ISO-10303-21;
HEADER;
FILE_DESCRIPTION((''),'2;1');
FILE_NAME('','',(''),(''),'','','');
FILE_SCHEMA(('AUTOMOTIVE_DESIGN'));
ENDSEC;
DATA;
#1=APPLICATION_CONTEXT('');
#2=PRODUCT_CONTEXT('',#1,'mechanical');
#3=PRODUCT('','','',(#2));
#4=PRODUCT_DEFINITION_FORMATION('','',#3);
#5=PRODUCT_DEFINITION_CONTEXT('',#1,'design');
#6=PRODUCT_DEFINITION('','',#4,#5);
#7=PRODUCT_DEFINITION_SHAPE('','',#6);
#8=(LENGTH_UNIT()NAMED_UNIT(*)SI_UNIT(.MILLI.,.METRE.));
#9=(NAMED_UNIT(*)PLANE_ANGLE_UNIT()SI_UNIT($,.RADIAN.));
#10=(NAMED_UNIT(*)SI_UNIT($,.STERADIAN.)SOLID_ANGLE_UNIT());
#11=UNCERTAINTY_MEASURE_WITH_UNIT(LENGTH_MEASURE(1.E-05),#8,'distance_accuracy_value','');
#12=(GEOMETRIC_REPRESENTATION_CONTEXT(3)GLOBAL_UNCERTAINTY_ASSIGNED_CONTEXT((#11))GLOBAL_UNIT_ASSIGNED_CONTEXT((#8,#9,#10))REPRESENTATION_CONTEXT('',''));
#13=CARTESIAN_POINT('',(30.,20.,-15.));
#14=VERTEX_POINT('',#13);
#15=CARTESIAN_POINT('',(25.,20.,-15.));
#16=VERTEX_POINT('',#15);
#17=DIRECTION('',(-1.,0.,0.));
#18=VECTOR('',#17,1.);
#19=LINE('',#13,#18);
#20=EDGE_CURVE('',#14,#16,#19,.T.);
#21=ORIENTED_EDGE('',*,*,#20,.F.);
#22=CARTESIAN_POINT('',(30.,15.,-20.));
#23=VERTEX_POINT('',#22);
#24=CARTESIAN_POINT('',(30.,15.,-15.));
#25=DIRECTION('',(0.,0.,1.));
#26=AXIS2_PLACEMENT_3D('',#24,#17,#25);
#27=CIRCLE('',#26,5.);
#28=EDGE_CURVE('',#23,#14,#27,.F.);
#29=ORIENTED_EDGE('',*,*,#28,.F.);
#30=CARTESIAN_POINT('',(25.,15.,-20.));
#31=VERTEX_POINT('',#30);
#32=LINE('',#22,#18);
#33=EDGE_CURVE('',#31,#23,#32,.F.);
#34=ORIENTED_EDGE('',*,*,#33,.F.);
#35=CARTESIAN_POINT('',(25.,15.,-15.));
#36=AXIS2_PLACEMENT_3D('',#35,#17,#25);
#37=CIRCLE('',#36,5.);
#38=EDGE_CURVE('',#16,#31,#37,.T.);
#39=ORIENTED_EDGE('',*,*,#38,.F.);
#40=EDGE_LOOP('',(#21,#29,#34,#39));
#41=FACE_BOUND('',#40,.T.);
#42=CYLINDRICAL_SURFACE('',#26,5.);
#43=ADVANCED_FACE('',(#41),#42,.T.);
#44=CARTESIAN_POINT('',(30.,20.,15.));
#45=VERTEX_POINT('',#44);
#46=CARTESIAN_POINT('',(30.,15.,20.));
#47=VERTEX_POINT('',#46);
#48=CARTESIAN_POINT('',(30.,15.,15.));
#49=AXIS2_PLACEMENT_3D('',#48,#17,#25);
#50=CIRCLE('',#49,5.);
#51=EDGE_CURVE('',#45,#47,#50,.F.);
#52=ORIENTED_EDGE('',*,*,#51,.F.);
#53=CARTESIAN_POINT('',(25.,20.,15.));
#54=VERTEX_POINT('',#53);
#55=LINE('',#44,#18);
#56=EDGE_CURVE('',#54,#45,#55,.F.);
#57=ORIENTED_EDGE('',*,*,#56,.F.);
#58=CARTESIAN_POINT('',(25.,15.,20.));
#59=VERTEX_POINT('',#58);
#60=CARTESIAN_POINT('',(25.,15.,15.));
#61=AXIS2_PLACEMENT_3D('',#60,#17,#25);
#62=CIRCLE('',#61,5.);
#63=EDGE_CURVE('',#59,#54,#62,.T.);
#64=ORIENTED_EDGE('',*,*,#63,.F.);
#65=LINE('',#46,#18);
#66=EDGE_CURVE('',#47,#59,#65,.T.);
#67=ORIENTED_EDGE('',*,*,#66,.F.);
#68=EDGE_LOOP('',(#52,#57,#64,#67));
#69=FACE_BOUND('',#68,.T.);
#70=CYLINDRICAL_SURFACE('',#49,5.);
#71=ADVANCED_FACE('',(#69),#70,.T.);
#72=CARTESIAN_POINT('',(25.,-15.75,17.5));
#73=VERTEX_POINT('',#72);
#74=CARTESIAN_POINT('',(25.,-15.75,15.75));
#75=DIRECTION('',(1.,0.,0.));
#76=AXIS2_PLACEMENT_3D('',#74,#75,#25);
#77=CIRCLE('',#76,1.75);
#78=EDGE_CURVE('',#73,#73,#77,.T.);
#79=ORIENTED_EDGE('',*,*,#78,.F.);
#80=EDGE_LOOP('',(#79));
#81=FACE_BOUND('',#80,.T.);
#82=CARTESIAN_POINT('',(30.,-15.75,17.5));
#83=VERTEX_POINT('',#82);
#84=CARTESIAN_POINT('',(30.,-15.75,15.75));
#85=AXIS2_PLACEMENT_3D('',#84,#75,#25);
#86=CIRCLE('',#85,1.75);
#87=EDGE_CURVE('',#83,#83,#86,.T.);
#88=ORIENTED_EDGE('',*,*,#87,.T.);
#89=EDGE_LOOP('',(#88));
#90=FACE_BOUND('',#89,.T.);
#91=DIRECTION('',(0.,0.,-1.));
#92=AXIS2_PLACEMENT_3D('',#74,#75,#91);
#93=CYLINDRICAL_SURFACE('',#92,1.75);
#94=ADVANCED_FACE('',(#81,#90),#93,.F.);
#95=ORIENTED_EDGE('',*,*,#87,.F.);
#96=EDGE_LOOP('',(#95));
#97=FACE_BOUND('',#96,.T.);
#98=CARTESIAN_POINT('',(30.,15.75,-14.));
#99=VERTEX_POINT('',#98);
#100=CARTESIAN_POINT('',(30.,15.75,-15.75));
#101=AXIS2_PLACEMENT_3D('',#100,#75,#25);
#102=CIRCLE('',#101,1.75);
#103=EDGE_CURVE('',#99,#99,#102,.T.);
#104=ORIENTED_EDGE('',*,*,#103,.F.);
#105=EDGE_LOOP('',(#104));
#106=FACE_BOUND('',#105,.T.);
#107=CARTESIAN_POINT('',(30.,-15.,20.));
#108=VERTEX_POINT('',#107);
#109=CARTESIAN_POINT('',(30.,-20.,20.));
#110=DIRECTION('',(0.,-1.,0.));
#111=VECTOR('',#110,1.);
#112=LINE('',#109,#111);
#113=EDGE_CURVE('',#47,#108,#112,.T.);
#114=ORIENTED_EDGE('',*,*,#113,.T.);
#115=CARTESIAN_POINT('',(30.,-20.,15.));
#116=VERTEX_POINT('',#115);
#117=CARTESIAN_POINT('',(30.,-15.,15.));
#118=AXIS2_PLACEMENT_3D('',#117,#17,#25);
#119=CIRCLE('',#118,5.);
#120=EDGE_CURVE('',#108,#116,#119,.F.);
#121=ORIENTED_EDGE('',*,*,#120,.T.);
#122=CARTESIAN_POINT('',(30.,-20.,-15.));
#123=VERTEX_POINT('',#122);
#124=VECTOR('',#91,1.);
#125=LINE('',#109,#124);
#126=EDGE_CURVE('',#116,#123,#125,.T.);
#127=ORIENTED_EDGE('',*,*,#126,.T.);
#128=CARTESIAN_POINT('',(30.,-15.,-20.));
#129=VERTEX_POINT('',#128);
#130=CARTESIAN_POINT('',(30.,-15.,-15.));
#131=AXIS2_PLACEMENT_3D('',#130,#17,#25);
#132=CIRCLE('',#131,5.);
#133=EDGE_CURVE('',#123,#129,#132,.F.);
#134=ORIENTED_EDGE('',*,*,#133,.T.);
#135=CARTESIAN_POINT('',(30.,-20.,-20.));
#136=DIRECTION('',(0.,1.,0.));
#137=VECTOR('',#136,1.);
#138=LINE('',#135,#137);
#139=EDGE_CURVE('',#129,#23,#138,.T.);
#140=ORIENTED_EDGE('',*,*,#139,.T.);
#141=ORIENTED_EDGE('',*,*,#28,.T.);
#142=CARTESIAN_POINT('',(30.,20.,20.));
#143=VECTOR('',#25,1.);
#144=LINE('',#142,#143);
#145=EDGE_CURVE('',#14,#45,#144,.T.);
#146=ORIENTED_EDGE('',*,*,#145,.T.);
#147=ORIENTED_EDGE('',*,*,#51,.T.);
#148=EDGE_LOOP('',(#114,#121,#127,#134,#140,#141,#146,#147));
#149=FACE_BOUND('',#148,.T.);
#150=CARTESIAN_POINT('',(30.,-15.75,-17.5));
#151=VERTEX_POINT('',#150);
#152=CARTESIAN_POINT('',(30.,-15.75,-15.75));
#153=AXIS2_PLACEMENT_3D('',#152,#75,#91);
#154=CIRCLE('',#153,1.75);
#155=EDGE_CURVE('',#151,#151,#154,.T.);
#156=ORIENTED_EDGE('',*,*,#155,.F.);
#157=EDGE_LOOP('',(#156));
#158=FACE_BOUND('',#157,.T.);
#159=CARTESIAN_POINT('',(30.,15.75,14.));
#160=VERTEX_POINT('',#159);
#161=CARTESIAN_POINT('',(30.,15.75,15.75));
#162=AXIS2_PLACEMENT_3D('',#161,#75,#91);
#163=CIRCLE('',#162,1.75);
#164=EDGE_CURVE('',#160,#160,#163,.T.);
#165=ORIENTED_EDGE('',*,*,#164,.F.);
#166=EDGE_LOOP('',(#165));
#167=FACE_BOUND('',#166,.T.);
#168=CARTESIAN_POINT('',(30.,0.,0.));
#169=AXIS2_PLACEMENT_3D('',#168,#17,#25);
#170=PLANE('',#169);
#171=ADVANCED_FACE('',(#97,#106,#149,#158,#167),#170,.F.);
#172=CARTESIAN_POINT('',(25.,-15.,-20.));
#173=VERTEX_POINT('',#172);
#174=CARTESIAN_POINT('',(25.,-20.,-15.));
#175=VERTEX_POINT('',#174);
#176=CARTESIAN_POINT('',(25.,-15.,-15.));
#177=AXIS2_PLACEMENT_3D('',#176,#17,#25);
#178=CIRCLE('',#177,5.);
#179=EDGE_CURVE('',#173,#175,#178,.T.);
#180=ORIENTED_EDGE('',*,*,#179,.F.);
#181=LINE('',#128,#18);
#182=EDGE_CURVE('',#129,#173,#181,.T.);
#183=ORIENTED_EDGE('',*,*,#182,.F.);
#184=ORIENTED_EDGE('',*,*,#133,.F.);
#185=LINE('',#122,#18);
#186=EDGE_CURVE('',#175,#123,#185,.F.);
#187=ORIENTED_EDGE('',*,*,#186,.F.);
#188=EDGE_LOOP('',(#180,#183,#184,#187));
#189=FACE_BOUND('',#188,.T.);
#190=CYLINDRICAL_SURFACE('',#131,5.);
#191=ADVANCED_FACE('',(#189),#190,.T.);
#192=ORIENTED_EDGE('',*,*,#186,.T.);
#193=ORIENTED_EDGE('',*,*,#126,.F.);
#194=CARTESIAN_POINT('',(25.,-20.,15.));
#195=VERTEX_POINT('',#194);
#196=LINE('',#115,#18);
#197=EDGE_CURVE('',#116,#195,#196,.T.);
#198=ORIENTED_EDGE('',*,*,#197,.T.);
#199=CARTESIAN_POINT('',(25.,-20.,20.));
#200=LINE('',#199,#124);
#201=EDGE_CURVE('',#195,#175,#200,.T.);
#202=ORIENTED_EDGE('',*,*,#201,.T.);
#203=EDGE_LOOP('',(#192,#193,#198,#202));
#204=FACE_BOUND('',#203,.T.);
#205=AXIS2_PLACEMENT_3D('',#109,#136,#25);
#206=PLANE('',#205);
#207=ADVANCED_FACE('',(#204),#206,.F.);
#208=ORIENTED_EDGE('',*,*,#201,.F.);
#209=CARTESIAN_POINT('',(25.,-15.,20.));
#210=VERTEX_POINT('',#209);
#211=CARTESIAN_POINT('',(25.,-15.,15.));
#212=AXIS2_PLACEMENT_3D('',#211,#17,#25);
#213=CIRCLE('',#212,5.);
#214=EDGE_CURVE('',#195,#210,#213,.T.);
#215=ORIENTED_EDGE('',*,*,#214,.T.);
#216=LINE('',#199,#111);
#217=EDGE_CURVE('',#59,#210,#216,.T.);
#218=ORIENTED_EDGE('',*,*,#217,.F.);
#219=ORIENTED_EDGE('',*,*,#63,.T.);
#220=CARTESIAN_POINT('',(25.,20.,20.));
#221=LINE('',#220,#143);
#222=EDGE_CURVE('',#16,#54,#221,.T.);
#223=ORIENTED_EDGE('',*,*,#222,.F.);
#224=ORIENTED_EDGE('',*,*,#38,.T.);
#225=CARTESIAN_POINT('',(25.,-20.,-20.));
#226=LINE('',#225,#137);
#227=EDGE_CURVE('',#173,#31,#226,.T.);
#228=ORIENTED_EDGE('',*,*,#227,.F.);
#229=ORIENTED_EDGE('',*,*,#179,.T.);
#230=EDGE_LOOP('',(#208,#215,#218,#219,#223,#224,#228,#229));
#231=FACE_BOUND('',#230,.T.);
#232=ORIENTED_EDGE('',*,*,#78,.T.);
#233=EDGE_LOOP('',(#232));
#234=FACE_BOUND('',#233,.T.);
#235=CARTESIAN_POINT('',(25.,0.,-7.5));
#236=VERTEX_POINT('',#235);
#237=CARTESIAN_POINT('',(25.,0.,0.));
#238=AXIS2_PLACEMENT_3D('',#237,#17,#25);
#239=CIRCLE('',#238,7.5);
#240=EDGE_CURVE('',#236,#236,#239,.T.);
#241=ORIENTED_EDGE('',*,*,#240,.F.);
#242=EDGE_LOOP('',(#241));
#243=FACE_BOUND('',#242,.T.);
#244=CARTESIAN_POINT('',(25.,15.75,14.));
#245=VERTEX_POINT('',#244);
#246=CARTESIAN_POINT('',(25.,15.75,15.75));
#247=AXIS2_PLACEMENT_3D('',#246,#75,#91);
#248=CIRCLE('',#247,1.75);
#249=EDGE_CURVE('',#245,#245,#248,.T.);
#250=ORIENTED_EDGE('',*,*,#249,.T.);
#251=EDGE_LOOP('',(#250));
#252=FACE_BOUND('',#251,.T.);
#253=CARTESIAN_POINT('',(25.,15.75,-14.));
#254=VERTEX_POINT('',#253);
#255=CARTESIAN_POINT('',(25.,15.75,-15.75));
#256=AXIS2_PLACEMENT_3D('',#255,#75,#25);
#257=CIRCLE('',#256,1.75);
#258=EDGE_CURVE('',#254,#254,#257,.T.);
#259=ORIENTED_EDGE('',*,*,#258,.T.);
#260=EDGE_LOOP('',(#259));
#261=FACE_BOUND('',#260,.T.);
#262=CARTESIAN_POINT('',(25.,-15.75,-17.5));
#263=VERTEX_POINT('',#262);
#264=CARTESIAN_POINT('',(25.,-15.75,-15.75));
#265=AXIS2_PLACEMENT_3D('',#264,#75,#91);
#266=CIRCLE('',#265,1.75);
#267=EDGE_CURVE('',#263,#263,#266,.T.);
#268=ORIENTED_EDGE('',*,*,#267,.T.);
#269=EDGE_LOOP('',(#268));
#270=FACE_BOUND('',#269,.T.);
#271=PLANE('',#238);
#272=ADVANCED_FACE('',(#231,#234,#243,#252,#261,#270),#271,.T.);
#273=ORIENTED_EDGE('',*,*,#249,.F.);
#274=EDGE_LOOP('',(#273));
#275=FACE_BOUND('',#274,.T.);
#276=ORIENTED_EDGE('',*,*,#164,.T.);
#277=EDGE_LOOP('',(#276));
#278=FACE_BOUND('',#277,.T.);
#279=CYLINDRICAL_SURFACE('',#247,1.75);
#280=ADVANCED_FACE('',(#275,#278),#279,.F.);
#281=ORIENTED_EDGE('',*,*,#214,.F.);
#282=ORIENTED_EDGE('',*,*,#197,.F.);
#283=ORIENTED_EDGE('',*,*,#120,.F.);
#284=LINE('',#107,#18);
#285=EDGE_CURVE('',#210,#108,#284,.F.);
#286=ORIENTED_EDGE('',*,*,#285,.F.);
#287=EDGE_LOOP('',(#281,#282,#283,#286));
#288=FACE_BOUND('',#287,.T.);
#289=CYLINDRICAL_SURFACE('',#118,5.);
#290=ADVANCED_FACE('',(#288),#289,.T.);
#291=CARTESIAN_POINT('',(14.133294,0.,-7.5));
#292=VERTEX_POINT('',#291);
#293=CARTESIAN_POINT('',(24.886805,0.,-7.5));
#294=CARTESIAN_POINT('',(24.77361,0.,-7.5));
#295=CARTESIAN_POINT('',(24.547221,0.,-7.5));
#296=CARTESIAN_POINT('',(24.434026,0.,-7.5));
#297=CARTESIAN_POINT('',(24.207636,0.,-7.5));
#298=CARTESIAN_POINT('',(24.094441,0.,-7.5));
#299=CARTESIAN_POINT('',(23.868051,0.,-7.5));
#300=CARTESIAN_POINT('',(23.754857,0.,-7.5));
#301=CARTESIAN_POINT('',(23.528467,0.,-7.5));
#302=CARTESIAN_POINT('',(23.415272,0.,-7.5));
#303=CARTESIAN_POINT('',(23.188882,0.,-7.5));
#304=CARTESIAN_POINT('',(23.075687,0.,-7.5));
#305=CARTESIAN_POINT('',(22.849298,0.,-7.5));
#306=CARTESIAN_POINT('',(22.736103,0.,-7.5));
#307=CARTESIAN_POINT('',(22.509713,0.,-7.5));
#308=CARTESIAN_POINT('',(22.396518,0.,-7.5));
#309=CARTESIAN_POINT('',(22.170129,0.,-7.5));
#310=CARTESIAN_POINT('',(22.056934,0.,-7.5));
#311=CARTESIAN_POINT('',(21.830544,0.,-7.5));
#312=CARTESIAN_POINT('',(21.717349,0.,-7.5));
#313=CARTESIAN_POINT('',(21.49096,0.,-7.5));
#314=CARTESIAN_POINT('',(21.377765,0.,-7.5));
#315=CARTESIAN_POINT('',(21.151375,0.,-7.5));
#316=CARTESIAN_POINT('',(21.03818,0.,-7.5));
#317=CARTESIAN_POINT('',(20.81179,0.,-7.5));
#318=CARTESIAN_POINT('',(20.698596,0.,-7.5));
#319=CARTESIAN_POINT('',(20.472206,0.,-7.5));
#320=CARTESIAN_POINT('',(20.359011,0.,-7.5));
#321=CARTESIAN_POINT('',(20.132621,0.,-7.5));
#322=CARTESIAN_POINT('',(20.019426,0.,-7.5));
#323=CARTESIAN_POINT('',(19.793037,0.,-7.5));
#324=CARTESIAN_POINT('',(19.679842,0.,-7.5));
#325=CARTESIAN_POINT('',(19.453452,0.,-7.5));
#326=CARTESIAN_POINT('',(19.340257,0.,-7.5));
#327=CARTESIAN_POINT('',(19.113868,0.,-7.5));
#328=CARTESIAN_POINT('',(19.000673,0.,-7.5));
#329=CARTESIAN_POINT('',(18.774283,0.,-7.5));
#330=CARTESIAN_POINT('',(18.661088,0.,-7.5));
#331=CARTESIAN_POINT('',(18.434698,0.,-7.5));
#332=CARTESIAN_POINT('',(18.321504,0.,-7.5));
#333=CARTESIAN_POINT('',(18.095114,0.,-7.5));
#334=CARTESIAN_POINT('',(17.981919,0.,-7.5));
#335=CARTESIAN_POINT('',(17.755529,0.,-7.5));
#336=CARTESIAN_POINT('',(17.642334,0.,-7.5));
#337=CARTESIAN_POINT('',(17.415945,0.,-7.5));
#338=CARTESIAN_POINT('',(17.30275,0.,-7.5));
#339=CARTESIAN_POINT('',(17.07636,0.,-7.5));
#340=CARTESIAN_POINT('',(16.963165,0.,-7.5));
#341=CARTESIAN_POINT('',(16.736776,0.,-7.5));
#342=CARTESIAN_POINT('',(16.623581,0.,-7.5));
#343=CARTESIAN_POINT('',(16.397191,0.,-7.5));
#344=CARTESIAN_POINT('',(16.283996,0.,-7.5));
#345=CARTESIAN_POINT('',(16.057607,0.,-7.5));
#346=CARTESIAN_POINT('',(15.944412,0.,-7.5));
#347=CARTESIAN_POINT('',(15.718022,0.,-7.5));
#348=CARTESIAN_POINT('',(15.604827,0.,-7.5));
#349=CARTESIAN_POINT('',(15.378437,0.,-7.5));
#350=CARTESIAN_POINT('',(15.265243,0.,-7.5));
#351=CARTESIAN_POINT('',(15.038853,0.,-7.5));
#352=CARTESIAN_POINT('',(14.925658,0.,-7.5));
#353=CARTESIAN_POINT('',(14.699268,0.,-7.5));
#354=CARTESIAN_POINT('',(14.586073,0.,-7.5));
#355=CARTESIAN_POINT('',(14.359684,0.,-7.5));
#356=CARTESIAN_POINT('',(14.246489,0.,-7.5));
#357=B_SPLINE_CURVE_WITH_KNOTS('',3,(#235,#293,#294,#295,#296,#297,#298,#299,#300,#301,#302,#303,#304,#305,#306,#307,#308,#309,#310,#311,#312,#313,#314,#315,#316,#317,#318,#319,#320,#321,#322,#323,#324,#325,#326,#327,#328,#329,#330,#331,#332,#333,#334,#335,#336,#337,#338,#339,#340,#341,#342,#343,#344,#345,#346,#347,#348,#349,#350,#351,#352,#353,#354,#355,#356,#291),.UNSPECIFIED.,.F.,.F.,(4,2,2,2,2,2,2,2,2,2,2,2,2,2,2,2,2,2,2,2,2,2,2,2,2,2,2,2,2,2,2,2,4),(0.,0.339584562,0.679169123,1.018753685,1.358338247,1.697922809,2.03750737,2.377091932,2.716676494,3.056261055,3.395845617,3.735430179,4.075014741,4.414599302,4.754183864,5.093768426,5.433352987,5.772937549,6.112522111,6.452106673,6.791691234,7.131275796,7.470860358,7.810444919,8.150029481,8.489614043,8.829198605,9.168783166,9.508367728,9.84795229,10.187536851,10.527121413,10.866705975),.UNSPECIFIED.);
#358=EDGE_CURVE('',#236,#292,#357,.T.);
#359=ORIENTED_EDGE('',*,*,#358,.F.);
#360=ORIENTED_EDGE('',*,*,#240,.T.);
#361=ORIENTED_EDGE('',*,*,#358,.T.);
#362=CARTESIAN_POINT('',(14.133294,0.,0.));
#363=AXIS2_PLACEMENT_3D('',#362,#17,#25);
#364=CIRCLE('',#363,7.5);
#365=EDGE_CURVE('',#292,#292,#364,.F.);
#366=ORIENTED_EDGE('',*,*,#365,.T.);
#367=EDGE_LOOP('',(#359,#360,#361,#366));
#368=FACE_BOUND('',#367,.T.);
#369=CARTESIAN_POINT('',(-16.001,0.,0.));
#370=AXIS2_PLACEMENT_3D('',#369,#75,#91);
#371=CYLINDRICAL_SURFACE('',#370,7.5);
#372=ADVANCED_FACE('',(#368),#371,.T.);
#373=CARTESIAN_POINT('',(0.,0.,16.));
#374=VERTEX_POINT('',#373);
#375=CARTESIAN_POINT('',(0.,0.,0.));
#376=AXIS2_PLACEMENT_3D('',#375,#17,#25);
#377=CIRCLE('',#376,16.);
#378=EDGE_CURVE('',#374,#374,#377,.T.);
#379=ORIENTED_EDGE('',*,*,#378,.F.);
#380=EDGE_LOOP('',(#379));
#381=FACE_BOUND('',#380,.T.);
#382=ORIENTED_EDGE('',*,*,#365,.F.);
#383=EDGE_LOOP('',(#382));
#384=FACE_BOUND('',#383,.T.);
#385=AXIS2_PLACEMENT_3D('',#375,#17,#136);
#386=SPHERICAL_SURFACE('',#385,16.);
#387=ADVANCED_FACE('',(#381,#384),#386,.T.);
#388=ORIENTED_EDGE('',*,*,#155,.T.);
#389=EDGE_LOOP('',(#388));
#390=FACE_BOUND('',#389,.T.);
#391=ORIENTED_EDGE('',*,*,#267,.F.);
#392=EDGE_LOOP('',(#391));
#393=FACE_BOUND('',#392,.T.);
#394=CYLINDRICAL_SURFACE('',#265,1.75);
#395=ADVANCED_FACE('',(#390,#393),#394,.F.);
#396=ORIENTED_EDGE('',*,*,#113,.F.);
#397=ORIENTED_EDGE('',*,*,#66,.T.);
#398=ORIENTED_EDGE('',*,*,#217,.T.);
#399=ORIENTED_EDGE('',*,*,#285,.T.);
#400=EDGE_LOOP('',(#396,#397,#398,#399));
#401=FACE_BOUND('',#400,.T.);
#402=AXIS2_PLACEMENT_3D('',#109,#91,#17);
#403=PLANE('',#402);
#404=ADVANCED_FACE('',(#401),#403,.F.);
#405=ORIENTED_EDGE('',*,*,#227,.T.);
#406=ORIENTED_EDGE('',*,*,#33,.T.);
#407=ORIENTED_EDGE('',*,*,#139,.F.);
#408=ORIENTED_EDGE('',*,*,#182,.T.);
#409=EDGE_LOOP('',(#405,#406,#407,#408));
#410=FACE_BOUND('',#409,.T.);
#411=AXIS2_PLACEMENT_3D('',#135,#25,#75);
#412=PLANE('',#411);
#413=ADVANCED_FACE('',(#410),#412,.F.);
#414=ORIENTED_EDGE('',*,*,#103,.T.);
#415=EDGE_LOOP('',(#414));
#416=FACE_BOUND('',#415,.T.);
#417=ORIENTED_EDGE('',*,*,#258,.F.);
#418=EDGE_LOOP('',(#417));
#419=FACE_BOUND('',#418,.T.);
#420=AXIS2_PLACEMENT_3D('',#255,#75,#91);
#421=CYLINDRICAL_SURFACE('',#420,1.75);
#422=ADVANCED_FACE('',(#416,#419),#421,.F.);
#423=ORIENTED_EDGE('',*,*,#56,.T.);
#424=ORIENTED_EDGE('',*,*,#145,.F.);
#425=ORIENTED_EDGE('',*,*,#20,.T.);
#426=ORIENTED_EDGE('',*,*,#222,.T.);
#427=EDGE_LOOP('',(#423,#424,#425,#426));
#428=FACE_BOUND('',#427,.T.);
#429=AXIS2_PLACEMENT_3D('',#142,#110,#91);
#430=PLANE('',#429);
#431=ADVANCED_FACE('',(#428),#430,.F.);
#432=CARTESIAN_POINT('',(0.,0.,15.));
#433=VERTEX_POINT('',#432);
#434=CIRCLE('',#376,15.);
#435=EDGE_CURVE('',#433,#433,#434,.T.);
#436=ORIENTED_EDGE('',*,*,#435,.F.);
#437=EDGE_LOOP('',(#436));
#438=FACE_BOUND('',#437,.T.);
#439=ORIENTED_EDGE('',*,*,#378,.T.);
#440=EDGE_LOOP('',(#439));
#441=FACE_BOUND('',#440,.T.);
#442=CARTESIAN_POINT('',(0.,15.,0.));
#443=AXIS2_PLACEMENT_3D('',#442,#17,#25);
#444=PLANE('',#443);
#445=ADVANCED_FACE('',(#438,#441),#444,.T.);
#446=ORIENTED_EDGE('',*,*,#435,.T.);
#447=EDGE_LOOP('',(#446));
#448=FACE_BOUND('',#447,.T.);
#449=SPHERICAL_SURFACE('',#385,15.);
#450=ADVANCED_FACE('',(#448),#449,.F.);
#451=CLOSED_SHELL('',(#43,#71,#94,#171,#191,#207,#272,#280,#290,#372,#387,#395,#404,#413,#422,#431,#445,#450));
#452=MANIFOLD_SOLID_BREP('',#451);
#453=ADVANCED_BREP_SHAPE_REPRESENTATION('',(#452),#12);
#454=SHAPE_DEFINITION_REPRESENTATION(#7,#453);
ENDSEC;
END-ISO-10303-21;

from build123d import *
from build123d.topology import SkipClean

# Parameters (mm, degrees)
SALIENTE_EXTRUIR1_REACH      = 54.713
SALIENTE_EXTRUIR1_END_RADIUS = 16
SALIENTE_EXTRUIR1_START      = -25
CROQUIS2_R                   = 7.5
CROQUIS3_W                   = 40
CROQUIS3_H                   = 40
SALIENTE_EXTRUIR2_DEPTH      = 5
REDONDEO1_R                  = 5
CROQUIS4_R                   = 1.75
CORTAR_EXTRUIR1_DEPTH        = 5


with BuildPart() as part:
    # Croquis1 → Revolución-Lámina1 (revolve)
    with BuildSketch(Plane.XY):
        with BuildLine():
            ThreePointArc((15, 0), (10.606601718, 10.606601718), (0, 15))
            Line((0, 15), (0, 16))
            ThreePointArc((0, 16), (11.313708499, 11.313708499), (16, 0))
            Line((16, 0), (15, 0))
        make_face()
    revolve(axis=Axis((0, 0, 0), (1, 0, 0)))

    # Saliente-Extruir1: up to this sphere (the profile starts outside it)
    with SkipClean():  # the faces are left unmerged after this step: merging them gives an invalid solid
        saliente_extruir1_end = Location((0, 0, 0)) * Sphere(SALIENTE_EXTRUIR1_END_RADIUS, mode=Mode.PRIVATE)
        # Croquis2 → Saliente-Extruir1 (add, up to the surface)
        with BuildSketch(Plane.ZY.offset(SALIENTE_EXTRUIR1_START), mode=Mode.PRIVATE) as saliente_extruir1_sk1:
            with Locations(Location((0, 0, 0), (0, 0, 180))):
                Circle(CROQUIS2_R)
        saliente_extruir1_tool1 = extrude(saliente_extruir1_sk1.sketch, amount=SALIENTE_EXTRUIR1_REACH, mode=Mode.PRIVATE) - saliente_extruir1_end
        add(saliente_extruir1_tool1.solids().sort_by_distance((25, 0, 0))[0])

    # Croquis3 → Saliente-Extruir2 (add)
    with BuildSketch(Plane(origin=(25, 0, 0), x_dir=(0, 0, -1), z_dir=(1, 0, 0))):
        Rectangle(CROQUIS3_W, CROQUIS3_H)
    extrude(amount=SALIENTE_EXTRUIR2_DEPTH)

    # Redondeo1
    redondeo1_edges = [part.edges().sort_by_distance(p)[0] for p in [
        (27.5, -20, -20),
        (27.5, 20, -20),
        (27.5, 20, 20),
        (27.5, -20, 20),
    ]]
    fillet(redondeo1_edges, radius=REDONDEO1_R)

    # Croquis4 → Cortar-Extruir1 (cut)
    with BuildSketch(Plane(origin=(30, 0, 0), x_dir=(0, 0, -1), z_dir=(1, 0, 0))):
        with Locations((-15.75, 15.75)):
            Circle(CROQUIS4_R)
        with Locations(Location((15.75, 15.75, 0), (0, 0, 180))):
            Circle(CROQUIS4_R)
        with Locations((15.75, -15.75)):
            Circle(CROQUIS4_R)
        with Locations(Location((-15.75, -15.75, 0), (0, 0, 180))):
            Circle(CROQUIS4_R)
    extrude(amount=-CORTAR_EXTRUIR1_DEPTH, mode=Mode.SUBTRACT)


solid = part.part
